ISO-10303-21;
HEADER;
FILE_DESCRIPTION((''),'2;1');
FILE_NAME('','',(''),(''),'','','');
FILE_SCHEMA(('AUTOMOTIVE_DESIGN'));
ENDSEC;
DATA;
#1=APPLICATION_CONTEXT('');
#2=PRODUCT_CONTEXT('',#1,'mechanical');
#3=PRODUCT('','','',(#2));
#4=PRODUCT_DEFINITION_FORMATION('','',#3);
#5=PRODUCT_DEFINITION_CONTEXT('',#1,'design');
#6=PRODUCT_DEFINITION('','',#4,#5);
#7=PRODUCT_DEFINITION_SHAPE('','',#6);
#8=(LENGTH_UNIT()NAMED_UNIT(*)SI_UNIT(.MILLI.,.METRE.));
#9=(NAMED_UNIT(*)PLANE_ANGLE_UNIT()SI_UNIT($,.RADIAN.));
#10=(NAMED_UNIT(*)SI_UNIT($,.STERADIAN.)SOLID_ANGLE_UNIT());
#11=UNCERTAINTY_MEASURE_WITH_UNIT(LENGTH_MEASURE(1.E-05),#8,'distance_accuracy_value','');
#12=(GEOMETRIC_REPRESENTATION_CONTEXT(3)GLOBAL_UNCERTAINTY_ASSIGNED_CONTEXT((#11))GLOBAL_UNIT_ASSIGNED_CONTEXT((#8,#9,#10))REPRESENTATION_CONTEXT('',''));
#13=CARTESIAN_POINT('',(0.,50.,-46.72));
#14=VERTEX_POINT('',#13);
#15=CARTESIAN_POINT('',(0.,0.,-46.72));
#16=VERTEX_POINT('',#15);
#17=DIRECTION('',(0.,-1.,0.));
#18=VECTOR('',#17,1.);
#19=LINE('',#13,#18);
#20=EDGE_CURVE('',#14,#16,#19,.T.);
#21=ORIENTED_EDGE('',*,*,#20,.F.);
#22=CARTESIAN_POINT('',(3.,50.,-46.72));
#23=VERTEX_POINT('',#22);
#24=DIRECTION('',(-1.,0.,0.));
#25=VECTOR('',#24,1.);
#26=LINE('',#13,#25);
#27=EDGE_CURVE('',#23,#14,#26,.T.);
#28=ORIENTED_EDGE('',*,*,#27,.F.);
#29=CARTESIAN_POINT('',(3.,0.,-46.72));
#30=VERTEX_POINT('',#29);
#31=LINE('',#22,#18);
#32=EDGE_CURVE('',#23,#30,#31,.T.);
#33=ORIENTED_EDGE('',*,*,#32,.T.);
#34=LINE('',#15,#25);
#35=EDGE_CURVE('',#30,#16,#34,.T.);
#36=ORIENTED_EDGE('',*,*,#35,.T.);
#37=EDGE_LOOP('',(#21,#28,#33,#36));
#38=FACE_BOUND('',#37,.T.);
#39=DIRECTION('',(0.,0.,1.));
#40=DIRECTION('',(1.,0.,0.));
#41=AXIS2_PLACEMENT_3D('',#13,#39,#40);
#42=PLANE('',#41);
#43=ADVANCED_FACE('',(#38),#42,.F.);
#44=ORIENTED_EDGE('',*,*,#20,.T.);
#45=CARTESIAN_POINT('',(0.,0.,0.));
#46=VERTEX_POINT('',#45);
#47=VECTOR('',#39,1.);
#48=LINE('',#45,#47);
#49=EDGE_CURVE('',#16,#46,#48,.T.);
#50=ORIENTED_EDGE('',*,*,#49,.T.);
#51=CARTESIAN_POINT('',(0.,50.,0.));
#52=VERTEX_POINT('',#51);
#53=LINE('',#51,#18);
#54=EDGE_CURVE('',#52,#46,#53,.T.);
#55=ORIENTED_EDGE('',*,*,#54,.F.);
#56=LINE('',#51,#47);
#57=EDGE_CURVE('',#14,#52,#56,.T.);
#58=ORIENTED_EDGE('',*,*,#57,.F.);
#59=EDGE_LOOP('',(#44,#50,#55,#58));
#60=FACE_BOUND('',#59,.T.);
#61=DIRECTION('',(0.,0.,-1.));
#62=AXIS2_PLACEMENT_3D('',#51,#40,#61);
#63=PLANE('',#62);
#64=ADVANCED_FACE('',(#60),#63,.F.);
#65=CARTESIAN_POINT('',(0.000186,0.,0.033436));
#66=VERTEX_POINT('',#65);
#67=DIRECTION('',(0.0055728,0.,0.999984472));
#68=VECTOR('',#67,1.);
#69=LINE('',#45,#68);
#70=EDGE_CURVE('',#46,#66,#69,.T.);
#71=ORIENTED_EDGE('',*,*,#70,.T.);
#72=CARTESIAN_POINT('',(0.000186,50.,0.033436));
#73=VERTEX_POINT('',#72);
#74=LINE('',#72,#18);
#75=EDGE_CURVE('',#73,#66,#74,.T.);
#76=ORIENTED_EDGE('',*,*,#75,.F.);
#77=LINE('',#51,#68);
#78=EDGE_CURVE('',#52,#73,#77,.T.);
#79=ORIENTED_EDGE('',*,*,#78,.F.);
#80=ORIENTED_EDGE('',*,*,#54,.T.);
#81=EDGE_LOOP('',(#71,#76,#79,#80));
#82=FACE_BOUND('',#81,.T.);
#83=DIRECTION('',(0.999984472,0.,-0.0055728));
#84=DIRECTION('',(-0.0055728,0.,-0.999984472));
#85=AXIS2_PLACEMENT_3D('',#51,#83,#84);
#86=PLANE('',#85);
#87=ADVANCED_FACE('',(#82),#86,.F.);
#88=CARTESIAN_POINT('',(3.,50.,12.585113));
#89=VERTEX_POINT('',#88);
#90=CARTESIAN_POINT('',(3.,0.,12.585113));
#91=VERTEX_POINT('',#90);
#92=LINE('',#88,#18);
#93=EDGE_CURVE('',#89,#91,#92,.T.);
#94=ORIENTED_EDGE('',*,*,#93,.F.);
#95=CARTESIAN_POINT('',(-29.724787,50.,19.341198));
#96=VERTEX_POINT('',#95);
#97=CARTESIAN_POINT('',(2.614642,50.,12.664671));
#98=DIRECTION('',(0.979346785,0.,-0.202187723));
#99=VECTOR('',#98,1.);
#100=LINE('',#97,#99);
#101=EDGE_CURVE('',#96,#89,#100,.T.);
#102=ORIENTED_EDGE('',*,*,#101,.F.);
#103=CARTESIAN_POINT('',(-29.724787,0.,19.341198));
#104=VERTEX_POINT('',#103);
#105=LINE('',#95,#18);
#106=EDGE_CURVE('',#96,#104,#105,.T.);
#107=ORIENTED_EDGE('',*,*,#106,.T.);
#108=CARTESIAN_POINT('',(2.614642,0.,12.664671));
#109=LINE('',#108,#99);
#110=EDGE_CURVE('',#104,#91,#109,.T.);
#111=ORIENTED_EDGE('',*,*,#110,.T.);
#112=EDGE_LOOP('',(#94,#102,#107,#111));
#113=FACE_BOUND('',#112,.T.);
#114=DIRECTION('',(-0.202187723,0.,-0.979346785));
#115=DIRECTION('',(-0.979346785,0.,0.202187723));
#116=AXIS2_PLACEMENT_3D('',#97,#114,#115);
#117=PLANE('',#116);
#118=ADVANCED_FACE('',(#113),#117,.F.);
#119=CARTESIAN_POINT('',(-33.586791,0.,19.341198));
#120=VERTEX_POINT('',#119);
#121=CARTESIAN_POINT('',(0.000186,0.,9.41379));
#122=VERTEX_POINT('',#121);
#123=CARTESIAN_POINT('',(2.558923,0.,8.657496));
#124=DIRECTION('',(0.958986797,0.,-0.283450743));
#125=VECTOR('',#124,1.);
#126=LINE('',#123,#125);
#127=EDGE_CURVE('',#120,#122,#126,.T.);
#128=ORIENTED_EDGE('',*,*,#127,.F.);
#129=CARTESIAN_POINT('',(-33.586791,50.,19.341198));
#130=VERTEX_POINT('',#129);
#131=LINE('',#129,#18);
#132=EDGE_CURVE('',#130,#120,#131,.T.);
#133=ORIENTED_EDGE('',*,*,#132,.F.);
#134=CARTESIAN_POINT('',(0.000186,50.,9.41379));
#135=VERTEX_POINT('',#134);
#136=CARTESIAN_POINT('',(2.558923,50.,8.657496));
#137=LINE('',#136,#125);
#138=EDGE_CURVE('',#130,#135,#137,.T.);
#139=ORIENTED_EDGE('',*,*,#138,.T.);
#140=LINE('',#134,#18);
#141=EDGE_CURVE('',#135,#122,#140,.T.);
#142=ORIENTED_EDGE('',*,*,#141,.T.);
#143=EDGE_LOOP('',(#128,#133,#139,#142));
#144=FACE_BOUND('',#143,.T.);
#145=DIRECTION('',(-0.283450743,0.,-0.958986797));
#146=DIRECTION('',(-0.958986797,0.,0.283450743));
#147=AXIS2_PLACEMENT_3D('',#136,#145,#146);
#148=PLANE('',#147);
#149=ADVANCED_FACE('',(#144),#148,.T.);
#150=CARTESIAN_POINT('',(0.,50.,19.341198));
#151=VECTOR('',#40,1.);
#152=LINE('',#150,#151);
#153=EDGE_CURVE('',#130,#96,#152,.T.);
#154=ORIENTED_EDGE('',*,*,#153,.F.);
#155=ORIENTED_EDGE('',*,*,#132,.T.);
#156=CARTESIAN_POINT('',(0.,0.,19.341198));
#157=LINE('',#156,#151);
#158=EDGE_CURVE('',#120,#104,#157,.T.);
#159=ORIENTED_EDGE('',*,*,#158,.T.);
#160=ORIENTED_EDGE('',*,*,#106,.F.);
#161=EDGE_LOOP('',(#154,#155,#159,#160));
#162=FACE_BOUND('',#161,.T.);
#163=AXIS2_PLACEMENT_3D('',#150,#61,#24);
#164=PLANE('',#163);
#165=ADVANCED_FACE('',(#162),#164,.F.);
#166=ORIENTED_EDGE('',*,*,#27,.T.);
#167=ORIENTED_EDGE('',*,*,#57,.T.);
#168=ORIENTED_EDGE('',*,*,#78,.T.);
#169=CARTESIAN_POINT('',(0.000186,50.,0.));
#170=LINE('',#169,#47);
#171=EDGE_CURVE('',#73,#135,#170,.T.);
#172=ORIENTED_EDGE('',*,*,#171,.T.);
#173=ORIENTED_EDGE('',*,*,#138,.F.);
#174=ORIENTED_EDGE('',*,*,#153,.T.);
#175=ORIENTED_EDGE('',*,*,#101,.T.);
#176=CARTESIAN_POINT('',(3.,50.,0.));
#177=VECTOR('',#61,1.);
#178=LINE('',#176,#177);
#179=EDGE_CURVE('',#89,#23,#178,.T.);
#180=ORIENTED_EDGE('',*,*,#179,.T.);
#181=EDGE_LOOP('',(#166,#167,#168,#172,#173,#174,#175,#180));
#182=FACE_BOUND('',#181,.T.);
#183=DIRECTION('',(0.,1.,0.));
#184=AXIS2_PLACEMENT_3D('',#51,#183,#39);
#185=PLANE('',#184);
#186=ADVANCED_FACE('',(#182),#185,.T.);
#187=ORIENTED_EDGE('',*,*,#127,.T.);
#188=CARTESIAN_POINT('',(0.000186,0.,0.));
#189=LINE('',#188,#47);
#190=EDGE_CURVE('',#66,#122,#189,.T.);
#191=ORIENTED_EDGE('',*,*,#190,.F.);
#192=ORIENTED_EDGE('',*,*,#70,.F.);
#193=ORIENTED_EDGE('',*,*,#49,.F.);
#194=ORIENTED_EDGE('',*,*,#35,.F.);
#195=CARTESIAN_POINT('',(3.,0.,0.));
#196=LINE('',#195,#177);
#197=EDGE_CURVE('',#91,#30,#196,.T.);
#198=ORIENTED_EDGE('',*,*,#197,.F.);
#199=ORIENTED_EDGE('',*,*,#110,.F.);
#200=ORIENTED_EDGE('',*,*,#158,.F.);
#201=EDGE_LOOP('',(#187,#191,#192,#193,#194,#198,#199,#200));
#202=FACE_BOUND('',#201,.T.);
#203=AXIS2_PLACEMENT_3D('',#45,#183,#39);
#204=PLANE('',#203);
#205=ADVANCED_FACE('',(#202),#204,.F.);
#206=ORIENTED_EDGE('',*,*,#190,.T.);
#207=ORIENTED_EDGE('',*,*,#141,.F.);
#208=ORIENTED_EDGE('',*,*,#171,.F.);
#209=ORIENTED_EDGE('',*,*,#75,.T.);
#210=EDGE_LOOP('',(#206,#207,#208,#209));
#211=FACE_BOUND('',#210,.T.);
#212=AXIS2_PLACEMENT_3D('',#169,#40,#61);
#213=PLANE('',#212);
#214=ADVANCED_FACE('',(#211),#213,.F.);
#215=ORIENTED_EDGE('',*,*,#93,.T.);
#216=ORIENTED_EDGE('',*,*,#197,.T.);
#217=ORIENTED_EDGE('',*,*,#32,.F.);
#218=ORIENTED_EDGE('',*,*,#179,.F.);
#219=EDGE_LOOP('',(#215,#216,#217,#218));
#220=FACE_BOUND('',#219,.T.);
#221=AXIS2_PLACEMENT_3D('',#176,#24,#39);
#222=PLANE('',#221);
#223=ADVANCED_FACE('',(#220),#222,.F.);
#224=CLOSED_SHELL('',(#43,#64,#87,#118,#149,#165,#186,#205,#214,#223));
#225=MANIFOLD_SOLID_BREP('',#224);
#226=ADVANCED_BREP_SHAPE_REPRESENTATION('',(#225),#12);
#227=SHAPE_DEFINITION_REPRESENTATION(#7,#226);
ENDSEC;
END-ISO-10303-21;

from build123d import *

# Parameters (mm, degrees)
BOSS_EXTRUDE1_DEPTH = 50


with BuildPart() as part:
    # Sketch1 → Boss-Extrude1 (new body)
    with BuildSketch(Plane(origin=(0, 0, 0), x_dir=(1, 0, 0), z_dir=(0, 1, 0))):
        Polygon((3, 46.72), (0, 46.72), (0, 0), (0.000186337, -0.03343628), (3, 0), align=None)
        Polygon((3, 0), (0.000186337, -0.03343628), (0.000186337, -9.413789645), (-8.16140534, -11.826136958), (-33.586790943, -19.341198123), (-29.724787296, -19.341198123), (-7.554025616, -14.764008615), (3, -12.585113004), align=None)
    extrude(amount=BOSS_EXTRUDE1_DEPTH)


solid = part.part
